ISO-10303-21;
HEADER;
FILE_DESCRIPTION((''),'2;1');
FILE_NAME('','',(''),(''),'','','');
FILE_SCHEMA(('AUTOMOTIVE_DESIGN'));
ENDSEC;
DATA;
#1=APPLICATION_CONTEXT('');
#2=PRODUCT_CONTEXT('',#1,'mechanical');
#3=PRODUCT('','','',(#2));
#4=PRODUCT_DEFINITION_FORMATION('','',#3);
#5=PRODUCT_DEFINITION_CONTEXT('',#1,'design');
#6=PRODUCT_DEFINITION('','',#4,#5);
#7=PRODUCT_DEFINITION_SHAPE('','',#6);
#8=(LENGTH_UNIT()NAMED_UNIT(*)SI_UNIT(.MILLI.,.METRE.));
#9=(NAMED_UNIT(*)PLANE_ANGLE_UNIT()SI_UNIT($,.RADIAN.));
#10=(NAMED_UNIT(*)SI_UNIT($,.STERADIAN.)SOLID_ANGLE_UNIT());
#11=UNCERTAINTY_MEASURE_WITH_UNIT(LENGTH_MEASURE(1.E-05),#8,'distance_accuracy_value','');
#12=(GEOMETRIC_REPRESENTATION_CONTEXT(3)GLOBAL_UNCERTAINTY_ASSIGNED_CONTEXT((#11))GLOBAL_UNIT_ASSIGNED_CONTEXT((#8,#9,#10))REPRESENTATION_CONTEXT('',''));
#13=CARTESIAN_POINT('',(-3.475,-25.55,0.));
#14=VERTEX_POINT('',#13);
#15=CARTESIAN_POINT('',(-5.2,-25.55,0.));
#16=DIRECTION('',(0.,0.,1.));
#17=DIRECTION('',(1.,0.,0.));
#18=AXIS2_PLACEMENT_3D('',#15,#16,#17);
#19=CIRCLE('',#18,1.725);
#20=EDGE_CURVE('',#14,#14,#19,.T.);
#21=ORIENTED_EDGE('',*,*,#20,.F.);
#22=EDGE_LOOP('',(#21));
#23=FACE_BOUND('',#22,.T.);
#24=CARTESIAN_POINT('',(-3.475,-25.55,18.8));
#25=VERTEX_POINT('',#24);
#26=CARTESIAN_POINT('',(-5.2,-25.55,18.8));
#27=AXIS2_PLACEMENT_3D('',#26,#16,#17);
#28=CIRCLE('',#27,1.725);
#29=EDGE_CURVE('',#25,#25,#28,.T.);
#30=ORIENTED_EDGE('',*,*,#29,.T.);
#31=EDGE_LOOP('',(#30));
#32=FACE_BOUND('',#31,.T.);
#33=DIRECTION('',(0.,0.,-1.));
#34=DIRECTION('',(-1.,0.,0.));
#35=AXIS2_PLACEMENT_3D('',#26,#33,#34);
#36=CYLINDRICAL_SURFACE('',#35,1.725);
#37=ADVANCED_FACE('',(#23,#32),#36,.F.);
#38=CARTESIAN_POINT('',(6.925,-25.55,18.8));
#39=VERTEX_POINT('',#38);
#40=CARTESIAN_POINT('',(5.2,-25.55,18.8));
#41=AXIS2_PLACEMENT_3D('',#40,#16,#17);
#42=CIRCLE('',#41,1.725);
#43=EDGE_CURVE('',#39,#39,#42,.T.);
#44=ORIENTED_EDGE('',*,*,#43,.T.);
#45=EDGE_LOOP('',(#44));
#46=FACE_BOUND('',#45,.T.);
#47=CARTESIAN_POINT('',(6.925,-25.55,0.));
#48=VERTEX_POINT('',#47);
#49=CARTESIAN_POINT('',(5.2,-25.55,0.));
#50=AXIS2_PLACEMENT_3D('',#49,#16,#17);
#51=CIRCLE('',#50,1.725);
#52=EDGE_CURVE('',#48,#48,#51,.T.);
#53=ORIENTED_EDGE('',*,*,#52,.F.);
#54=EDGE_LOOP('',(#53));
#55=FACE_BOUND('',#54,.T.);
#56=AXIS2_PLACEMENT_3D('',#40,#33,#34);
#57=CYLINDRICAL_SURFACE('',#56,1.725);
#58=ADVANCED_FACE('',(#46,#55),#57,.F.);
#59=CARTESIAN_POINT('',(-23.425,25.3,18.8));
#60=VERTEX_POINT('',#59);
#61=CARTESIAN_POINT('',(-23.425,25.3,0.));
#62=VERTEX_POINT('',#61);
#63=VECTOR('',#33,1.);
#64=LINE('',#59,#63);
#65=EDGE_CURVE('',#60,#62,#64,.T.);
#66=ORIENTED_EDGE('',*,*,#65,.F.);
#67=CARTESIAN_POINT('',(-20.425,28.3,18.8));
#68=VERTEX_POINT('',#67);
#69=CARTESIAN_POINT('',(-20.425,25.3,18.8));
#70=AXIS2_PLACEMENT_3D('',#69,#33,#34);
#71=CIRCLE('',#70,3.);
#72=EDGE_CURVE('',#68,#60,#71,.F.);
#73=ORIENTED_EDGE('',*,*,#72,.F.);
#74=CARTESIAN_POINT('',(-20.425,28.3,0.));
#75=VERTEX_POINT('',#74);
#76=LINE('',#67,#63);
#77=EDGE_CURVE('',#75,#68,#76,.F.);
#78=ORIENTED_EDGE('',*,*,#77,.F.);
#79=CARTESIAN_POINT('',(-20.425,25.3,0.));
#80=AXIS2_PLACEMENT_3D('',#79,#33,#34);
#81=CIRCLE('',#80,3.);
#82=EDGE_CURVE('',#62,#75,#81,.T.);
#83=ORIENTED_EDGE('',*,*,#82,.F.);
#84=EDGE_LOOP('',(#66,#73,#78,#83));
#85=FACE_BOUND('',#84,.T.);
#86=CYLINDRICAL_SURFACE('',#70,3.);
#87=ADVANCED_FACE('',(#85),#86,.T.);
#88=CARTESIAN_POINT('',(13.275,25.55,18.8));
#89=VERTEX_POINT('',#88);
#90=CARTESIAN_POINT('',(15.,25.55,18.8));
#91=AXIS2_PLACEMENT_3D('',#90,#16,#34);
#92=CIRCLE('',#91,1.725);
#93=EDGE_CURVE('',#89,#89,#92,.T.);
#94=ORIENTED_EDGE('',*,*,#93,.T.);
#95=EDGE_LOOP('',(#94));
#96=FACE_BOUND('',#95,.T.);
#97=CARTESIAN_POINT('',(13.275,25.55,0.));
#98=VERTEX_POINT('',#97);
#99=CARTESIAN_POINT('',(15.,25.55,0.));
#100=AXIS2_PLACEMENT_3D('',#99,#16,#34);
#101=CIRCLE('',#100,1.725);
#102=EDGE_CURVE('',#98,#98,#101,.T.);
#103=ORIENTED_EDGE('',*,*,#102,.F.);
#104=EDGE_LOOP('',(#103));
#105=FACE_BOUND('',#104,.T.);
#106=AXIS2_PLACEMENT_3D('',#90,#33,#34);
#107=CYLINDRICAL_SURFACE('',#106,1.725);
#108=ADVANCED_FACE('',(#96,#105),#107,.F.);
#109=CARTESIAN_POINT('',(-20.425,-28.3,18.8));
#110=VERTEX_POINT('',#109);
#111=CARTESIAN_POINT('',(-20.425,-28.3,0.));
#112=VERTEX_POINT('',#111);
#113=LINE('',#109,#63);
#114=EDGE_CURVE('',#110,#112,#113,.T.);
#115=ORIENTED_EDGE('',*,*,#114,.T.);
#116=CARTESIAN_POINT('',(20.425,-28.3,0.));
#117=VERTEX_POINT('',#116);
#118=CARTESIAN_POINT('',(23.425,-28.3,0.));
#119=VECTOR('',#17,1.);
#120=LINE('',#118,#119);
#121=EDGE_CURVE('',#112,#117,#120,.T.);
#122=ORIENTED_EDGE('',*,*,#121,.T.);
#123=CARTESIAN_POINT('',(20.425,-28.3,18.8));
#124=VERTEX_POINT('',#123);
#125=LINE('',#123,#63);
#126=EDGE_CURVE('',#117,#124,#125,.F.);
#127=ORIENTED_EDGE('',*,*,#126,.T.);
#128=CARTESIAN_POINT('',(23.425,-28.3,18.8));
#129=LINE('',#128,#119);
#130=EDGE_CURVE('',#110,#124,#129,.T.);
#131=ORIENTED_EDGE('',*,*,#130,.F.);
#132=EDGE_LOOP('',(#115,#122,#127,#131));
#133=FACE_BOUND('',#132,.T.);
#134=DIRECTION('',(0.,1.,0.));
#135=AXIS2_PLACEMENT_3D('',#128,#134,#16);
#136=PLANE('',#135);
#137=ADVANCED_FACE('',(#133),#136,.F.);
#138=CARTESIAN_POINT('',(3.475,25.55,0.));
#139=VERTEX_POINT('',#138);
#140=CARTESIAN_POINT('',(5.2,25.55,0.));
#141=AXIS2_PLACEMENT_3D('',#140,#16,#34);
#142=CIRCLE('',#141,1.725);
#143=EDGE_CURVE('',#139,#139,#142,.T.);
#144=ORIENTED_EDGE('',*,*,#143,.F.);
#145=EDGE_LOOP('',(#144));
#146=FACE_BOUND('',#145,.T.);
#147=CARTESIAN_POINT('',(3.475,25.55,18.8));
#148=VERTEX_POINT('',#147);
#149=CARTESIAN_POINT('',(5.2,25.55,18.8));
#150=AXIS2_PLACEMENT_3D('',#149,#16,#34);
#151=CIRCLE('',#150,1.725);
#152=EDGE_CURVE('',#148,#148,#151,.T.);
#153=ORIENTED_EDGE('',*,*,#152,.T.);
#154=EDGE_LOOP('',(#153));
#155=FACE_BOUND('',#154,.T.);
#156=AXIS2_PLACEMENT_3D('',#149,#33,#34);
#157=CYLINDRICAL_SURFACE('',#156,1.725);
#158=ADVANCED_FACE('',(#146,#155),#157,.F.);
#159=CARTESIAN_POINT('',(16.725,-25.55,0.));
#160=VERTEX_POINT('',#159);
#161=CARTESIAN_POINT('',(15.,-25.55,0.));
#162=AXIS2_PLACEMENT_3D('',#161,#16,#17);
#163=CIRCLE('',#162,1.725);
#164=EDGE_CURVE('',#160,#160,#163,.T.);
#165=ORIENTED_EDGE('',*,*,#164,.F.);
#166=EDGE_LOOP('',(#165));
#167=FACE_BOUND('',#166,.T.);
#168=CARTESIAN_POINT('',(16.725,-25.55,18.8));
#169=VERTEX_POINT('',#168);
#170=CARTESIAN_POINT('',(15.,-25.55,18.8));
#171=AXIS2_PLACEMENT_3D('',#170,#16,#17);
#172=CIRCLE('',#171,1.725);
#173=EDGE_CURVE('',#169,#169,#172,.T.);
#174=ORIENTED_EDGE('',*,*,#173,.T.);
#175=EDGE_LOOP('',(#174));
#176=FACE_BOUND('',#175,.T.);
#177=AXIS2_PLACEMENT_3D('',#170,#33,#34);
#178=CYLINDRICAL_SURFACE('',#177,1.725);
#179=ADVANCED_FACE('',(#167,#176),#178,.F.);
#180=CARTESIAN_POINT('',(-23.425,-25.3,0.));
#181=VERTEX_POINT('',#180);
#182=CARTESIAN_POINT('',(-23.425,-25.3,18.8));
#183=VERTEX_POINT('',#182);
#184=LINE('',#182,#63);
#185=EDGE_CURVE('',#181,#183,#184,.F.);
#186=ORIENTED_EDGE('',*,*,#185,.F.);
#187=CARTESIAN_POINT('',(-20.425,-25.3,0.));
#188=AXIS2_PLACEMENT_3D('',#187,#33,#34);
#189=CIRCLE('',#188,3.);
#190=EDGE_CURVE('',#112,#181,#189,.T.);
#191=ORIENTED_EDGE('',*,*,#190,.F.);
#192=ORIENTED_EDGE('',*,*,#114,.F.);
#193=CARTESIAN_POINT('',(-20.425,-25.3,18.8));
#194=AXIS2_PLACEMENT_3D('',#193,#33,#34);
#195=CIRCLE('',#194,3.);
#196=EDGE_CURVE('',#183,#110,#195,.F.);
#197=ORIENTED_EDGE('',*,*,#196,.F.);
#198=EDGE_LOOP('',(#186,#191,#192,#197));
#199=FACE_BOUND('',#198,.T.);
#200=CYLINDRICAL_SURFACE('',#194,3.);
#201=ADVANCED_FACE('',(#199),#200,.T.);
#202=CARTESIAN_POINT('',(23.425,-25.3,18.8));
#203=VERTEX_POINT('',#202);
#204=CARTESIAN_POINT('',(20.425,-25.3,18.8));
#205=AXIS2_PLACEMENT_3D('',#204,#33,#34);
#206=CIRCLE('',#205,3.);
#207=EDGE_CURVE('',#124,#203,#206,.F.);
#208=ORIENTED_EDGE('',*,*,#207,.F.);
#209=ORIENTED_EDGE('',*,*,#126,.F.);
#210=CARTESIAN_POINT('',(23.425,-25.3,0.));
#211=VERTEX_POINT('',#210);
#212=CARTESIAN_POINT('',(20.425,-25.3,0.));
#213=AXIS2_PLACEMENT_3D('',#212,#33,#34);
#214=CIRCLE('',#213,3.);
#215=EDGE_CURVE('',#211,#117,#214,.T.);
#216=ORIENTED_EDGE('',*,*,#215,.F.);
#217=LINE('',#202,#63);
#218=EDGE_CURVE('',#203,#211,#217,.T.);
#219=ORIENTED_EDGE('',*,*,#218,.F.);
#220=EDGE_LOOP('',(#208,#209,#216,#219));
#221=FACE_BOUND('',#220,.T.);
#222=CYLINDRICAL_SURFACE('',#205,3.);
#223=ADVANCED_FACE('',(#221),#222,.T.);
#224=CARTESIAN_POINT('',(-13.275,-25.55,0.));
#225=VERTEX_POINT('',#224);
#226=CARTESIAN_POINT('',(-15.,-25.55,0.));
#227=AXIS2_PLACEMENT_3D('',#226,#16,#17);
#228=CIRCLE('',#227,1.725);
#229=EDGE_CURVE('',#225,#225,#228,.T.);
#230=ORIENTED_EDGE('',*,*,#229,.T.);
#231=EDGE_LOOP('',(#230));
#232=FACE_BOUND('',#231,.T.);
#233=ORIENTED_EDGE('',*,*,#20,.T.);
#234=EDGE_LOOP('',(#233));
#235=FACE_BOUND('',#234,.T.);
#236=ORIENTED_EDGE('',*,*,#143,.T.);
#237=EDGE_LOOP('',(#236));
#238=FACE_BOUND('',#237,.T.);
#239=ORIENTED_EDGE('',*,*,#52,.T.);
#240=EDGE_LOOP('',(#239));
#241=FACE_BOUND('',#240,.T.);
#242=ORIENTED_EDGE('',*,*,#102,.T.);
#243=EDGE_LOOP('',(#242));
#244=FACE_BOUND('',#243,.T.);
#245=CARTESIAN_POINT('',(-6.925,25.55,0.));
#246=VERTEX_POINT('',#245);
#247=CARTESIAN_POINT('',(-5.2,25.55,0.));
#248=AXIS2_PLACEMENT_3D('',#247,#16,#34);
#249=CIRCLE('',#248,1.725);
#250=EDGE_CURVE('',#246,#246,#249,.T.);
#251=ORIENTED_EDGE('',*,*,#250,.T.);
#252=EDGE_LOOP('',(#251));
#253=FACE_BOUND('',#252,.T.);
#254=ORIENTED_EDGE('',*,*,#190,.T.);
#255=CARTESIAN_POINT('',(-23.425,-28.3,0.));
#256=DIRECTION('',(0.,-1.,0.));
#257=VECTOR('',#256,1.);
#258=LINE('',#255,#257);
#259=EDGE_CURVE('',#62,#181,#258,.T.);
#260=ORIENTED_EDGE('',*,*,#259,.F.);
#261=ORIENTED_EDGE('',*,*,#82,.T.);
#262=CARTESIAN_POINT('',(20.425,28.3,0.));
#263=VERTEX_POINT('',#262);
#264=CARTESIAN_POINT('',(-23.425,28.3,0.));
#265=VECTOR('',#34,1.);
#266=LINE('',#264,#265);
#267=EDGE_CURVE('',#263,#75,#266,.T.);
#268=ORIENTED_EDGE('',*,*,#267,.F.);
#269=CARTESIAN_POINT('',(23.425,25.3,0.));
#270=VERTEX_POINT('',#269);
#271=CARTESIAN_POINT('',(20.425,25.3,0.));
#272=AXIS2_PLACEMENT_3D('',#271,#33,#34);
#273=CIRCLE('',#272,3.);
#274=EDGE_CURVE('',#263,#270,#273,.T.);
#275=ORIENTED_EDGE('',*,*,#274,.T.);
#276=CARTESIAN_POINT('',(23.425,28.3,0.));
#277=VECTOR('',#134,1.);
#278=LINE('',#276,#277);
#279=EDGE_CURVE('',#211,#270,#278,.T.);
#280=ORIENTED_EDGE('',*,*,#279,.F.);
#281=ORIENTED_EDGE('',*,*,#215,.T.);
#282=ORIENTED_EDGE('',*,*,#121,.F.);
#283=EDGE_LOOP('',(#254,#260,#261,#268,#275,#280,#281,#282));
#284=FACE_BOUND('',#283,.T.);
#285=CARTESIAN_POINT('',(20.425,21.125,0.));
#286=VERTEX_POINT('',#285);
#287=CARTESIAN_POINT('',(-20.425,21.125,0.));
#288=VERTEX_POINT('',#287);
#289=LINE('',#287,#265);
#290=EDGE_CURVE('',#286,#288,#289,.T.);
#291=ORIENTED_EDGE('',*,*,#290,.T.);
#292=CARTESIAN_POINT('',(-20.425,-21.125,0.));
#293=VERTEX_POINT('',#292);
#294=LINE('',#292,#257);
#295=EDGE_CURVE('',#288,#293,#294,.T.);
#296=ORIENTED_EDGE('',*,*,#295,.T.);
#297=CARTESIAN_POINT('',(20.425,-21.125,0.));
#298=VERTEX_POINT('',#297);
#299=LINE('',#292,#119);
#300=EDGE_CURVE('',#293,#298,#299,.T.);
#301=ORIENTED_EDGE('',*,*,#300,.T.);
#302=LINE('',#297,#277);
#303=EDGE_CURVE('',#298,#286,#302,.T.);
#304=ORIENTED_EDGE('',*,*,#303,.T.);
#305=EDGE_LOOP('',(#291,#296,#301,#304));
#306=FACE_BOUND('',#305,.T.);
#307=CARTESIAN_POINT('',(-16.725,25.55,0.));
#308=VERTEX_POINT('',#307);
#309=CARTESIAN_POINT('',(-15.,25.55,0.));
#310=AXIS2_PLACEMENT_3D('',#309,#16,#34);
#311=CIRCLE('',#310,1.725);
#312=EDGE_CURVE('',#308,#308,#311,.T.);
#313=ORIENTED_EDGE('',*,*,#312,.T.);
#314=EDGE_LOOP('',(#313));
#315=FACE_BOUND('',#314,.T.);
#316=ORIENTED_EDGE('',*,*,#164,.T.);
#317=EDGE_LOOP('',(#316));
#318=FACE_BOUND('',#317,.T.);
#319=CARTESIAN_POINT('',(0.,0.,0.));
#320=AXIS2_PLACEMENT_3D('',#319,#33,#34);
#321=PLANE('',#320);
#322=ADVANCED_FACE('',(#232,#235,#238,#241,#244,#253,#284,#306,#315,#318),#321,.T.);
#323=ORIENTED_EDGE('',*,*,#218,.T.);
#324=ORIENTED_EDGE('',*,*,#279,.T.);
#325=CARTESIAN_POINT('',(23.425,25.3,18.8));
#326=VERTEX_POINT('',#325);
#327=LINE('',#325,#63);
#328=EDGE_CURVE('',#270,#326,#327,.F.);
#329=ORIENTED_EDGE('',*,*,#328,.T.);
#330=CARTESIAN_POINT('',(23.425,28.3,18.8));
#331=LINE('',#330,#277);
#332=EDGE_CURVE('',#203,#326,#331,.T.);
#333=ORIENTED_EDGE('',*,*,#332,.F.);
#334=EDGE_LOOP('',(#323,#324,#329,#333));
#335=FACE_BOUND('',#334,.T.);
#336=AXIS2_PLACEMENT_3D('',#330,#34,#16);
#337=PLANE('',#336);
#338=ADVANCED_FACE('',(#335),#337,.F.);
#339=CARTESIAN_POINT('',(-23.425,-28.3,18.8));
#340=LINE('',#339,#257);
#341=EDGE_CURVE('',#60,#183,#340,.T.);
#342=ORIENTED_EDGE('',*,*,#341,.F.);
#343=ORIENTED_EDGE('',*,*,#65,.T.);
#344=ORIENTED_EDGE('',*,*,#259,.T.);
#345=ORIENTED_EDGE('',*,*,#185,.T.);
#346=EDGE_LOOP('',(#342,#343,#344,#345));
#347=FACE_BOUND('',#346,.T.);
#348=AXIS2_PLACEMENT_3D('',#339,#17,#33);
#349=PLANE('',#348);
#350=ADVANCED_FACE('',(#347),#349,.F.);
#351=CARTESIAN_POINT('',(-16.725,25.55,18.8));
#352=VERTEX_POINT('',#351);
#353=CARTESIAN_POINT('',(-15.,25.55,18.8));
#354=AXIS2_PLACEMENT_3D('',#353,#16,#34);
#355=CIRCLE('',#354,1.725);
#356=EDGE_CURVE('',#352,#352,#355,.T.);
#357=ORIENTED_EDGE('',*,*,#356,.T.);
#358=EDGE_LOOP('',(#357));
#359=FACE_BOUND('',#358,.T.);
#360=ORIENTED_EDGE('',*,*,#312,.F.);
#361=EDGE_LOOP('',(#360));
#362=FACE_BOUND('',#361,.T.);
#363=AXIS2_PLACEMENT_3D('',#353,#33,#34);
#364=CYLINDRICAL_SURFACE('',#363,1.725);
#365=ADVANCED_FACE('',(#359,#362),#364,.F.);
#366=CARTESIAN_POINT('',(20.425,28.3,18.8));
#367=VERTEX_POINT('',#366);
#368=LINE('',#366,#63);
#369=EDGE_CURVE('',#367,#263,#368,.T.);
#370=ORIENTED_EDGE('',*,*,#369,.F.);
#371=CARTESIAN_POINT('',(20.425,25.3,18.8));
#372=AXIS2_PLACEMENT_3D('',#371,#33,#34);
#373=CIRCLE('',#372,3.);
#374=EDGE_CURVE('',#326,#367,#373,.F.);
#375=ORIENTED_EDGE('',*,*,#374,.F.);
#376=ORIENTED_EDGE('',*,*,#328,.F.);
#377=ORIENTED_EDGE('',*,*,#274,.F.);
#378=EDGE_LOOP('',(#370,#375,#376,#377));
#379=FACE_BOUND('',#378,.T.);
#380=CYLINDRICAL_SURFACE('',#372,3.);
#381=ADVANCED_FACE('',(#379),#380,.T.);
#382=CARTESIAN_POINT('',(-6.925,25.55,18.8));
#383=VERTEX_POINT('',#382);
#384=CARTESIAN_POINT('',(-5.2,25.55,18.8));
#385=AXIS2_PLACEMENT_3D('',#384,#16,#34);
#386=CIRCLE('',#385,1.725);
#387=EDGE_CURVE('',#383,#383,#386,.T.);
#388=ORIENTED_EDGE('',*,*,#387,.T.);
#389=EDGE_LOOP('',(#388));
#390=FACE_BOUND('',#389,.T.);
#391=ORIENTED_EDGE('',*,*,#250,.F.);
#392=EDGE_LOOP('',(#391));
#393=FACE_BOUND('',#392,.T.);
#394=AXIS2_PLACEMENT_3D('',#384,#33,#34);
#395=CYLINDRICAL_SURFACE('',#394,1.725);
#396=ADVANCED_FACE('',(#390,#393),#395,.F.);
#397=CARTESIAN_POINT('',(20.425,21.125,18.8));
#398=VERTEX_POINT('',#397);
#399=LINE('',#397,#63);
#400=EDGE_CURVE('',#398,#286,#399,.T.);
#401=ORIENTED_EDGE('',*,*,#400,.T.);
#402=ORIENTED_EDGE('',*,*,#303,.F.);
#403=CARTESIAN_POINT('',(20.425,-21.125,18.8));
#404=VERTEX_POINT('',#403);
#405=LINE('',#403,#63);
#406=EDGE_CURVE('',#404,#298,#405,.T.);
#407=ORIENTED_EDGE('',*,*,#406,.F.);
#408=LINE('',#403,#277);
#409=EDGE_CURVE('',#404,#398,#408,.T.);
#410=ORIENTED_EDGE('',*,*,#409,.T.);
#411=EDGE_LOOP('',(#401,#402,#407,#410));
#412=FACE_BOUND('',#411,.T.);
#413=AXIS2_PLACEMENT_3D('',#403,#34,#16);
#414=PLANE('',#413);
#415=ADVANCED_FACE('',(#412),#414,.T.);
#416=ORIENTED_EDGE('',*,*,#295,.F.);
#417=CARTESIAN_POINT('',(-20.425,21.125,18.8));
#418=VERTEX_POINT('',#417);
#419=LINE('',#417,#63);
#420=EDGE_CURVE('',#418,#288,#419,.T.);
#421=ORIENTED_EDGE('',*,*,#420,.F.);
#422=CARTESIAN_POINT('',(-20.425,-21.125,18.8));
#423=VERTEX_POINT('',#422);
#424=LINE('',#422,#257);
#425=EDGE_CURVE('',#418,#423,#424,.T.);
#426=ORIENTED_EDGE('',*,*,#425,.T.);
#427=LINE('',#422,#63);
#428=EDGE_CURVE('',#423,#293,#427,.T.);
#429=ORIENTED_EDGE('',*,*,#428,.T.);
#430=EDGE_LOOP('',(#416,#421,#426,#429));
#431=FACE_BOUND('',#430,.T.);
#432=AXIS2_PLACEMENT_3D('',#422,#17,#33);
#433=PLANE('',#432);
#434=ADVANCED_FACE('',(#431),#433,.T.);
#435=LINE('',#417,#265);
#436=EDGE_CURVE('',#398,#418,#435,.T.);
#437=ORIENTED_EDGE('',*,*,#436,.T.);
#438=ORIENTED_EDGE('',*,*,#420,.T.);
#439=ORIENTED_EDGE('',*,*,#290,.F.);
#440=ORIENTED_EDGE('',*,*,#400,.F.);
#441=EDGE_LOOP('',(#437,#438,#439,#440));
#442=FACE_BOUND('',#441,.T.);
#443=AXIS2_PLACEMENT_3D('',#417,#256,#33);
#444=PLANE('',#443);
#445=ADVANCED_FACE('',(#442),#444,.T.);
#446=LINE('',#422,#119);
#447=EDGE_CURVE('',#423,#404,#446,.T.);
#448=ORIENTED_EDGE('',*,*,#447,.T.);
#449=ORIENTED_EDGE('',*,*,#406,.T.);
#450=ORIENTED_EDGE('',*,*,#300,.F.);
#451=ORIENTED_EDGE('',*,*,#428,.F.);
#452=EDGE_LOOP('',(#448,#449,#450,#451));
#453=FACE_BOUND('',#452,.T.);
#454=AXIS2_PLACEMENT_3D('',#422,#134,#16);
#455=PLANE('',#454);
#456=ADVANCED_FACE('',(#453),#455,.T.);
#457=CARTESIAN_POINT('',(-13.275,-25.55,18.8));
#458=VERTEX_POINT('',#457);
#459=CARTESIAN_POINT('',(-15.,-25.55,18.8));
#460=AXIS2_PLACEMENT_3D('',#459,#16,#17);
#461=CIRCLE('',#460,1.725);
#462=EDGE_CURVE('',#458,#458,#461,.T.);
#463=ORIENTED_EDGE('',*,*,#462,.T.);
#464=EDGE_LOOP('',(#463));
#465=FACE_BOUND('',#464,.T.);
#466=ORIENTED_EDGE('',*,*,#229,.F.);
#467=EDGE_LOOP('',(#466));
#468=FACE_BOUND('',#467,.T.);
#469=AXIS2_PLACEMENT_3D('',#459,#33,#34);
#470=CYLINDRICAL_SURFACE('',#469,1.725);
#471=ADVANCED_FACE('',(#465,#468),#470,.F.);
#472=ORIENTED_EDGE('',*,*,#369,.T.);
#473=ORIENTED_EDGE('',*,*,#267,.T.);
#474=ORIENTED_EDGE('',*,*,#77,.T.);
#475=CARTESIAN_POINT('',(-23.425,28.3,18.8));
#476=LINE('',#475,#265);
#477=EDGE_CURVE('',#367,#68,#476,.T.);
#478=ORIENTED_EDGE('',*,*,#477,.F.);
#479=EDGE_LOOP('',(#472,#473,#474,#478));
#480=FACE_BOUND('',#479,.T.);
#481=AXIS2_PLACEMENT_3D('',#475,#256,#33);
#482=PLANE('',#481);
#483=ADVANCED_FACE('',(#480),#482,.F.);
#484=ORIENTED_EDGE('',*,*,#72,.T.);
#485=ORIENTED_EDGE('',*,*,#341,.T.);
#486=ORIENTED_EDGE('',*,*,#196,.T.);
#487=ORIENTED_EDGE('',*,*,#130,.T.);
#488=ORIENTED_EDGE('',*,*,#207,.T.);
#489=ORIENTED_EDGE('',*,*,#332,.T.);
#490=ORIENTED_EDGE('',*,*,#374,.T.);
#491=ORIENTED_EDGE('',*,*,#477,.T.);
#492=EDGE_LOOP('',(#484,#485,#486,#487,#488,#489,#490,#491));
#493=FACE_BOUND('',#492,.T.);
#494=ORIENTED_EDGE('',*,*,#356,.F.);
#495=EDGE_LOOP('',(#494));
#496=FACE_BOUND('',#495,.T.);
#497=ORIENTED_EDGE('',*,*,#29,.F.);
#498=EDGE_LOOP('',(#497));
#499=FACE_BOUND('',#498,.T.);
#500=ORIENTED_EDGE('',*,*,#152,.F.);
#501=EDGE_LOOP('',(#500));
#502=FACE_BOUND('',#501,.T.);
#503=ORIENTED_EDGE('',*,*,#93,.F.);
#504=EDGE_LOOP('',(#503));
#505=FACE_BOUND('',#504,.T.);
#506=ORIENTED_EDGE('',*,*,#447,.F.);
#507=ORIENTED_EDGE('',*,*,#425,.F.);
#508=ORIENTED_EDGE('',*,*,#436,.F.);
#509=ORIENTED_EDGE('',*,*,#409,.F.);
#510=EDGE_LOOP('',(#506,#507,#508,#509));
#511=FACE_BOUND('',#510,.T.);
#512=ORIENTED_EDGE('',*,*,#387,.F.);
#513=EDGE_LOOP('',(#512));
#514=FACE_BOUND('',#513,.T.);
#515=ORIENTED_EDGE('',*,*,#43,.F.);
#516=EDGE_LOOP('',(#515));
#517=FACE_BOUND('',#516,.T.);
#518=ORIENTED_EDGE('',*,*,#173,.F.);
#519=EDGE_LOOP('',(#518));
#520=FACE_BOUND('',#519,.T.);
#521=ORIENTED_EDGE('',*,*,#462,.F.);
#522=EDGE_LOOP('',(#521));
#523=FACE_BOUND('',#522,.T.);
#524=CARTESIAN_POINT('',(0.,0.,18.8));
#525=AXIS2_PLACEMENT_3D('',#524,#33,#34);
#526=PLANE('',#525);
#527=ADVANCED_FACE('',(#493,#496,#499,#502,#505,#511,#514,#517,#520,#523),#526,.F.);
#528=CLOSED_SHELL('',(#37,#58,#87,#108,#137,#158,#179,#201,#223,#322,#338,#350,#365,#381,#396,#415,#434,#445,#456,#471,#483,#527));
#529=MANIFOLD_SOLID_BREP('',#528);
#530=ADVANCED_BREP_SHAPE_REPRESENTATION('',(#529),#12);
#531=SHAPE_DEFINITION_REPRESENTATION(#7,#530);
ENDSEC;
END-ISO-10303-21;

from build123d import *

# Parameters (mm, degrees)
SKETCH1_W           = 46.85
SKETCH1_H           = 56.6
SKETCH1_R           = 1.725
SKETCH1_W_2         = 40.85
SKETCH1_H_2         = 42.25
BOSS_EXTRUDE1_DEPTH = 18.8
FILLET1_R           = 3


with BuildPart() as part:
    # Sketch1 → Boss-Extrude1 (new body)
    with BuildSketch(Plane.XY):
        Rectangle(SKETCH1_W, SKETCH1_H)
        with Locations((-15, -25.55)):
            Circle(SKETCH1_R, mode=Mode.SUBTRACT)
        with Locations((-5.2, -25.55)):
            Circle(SKETCH1_R, mode=Mode.SUBTRACT)
        with Locations((5.2, -25.55)):
            Circle(SKETCH1_R, mode=Mode.SUBTRACT)
        with Locations((15, -25.55)):
            Circle(SKETCH1_R, mode=Mode.SUBTRACT)
        with Locations((15, 25.55)):
            Circle(SKETCH1_R, mode=Mode.SUBTRACT)
        with Locations((5.2, 25.55)):
            Circle(SKETCH1_R, mode=Mode.SUBTRACT)
        with Locations((-5.2, 25.55)):
            Circle(SKETCH1_R, mode=Mode.SUBTRACT)
        with Locations((-15, 25.55)):
            Circle(SKETCH1_R, mode=Mode.SUBTRACT)
        Rectangle(SKETCH1_W_2, SKETCH1_H_2, mode=Mode.SUBTRACT)
    extrude(amount=BOSS_EXTRUDE1_DEPTH)

    # Fillet1
    fillet1_edges = [part.edges().sort_by_distance(p)[0] for p in [
        (-23.425, -28.3, 9.4),
        (23.425, -28.3, 9.4),
        (23.425, 28.3, 9.4),
        (-23.425, 28.3, 9.4),
    ]]
    fillet(fillet1_edges, radius=FILLET1_R)


solid = part.part
